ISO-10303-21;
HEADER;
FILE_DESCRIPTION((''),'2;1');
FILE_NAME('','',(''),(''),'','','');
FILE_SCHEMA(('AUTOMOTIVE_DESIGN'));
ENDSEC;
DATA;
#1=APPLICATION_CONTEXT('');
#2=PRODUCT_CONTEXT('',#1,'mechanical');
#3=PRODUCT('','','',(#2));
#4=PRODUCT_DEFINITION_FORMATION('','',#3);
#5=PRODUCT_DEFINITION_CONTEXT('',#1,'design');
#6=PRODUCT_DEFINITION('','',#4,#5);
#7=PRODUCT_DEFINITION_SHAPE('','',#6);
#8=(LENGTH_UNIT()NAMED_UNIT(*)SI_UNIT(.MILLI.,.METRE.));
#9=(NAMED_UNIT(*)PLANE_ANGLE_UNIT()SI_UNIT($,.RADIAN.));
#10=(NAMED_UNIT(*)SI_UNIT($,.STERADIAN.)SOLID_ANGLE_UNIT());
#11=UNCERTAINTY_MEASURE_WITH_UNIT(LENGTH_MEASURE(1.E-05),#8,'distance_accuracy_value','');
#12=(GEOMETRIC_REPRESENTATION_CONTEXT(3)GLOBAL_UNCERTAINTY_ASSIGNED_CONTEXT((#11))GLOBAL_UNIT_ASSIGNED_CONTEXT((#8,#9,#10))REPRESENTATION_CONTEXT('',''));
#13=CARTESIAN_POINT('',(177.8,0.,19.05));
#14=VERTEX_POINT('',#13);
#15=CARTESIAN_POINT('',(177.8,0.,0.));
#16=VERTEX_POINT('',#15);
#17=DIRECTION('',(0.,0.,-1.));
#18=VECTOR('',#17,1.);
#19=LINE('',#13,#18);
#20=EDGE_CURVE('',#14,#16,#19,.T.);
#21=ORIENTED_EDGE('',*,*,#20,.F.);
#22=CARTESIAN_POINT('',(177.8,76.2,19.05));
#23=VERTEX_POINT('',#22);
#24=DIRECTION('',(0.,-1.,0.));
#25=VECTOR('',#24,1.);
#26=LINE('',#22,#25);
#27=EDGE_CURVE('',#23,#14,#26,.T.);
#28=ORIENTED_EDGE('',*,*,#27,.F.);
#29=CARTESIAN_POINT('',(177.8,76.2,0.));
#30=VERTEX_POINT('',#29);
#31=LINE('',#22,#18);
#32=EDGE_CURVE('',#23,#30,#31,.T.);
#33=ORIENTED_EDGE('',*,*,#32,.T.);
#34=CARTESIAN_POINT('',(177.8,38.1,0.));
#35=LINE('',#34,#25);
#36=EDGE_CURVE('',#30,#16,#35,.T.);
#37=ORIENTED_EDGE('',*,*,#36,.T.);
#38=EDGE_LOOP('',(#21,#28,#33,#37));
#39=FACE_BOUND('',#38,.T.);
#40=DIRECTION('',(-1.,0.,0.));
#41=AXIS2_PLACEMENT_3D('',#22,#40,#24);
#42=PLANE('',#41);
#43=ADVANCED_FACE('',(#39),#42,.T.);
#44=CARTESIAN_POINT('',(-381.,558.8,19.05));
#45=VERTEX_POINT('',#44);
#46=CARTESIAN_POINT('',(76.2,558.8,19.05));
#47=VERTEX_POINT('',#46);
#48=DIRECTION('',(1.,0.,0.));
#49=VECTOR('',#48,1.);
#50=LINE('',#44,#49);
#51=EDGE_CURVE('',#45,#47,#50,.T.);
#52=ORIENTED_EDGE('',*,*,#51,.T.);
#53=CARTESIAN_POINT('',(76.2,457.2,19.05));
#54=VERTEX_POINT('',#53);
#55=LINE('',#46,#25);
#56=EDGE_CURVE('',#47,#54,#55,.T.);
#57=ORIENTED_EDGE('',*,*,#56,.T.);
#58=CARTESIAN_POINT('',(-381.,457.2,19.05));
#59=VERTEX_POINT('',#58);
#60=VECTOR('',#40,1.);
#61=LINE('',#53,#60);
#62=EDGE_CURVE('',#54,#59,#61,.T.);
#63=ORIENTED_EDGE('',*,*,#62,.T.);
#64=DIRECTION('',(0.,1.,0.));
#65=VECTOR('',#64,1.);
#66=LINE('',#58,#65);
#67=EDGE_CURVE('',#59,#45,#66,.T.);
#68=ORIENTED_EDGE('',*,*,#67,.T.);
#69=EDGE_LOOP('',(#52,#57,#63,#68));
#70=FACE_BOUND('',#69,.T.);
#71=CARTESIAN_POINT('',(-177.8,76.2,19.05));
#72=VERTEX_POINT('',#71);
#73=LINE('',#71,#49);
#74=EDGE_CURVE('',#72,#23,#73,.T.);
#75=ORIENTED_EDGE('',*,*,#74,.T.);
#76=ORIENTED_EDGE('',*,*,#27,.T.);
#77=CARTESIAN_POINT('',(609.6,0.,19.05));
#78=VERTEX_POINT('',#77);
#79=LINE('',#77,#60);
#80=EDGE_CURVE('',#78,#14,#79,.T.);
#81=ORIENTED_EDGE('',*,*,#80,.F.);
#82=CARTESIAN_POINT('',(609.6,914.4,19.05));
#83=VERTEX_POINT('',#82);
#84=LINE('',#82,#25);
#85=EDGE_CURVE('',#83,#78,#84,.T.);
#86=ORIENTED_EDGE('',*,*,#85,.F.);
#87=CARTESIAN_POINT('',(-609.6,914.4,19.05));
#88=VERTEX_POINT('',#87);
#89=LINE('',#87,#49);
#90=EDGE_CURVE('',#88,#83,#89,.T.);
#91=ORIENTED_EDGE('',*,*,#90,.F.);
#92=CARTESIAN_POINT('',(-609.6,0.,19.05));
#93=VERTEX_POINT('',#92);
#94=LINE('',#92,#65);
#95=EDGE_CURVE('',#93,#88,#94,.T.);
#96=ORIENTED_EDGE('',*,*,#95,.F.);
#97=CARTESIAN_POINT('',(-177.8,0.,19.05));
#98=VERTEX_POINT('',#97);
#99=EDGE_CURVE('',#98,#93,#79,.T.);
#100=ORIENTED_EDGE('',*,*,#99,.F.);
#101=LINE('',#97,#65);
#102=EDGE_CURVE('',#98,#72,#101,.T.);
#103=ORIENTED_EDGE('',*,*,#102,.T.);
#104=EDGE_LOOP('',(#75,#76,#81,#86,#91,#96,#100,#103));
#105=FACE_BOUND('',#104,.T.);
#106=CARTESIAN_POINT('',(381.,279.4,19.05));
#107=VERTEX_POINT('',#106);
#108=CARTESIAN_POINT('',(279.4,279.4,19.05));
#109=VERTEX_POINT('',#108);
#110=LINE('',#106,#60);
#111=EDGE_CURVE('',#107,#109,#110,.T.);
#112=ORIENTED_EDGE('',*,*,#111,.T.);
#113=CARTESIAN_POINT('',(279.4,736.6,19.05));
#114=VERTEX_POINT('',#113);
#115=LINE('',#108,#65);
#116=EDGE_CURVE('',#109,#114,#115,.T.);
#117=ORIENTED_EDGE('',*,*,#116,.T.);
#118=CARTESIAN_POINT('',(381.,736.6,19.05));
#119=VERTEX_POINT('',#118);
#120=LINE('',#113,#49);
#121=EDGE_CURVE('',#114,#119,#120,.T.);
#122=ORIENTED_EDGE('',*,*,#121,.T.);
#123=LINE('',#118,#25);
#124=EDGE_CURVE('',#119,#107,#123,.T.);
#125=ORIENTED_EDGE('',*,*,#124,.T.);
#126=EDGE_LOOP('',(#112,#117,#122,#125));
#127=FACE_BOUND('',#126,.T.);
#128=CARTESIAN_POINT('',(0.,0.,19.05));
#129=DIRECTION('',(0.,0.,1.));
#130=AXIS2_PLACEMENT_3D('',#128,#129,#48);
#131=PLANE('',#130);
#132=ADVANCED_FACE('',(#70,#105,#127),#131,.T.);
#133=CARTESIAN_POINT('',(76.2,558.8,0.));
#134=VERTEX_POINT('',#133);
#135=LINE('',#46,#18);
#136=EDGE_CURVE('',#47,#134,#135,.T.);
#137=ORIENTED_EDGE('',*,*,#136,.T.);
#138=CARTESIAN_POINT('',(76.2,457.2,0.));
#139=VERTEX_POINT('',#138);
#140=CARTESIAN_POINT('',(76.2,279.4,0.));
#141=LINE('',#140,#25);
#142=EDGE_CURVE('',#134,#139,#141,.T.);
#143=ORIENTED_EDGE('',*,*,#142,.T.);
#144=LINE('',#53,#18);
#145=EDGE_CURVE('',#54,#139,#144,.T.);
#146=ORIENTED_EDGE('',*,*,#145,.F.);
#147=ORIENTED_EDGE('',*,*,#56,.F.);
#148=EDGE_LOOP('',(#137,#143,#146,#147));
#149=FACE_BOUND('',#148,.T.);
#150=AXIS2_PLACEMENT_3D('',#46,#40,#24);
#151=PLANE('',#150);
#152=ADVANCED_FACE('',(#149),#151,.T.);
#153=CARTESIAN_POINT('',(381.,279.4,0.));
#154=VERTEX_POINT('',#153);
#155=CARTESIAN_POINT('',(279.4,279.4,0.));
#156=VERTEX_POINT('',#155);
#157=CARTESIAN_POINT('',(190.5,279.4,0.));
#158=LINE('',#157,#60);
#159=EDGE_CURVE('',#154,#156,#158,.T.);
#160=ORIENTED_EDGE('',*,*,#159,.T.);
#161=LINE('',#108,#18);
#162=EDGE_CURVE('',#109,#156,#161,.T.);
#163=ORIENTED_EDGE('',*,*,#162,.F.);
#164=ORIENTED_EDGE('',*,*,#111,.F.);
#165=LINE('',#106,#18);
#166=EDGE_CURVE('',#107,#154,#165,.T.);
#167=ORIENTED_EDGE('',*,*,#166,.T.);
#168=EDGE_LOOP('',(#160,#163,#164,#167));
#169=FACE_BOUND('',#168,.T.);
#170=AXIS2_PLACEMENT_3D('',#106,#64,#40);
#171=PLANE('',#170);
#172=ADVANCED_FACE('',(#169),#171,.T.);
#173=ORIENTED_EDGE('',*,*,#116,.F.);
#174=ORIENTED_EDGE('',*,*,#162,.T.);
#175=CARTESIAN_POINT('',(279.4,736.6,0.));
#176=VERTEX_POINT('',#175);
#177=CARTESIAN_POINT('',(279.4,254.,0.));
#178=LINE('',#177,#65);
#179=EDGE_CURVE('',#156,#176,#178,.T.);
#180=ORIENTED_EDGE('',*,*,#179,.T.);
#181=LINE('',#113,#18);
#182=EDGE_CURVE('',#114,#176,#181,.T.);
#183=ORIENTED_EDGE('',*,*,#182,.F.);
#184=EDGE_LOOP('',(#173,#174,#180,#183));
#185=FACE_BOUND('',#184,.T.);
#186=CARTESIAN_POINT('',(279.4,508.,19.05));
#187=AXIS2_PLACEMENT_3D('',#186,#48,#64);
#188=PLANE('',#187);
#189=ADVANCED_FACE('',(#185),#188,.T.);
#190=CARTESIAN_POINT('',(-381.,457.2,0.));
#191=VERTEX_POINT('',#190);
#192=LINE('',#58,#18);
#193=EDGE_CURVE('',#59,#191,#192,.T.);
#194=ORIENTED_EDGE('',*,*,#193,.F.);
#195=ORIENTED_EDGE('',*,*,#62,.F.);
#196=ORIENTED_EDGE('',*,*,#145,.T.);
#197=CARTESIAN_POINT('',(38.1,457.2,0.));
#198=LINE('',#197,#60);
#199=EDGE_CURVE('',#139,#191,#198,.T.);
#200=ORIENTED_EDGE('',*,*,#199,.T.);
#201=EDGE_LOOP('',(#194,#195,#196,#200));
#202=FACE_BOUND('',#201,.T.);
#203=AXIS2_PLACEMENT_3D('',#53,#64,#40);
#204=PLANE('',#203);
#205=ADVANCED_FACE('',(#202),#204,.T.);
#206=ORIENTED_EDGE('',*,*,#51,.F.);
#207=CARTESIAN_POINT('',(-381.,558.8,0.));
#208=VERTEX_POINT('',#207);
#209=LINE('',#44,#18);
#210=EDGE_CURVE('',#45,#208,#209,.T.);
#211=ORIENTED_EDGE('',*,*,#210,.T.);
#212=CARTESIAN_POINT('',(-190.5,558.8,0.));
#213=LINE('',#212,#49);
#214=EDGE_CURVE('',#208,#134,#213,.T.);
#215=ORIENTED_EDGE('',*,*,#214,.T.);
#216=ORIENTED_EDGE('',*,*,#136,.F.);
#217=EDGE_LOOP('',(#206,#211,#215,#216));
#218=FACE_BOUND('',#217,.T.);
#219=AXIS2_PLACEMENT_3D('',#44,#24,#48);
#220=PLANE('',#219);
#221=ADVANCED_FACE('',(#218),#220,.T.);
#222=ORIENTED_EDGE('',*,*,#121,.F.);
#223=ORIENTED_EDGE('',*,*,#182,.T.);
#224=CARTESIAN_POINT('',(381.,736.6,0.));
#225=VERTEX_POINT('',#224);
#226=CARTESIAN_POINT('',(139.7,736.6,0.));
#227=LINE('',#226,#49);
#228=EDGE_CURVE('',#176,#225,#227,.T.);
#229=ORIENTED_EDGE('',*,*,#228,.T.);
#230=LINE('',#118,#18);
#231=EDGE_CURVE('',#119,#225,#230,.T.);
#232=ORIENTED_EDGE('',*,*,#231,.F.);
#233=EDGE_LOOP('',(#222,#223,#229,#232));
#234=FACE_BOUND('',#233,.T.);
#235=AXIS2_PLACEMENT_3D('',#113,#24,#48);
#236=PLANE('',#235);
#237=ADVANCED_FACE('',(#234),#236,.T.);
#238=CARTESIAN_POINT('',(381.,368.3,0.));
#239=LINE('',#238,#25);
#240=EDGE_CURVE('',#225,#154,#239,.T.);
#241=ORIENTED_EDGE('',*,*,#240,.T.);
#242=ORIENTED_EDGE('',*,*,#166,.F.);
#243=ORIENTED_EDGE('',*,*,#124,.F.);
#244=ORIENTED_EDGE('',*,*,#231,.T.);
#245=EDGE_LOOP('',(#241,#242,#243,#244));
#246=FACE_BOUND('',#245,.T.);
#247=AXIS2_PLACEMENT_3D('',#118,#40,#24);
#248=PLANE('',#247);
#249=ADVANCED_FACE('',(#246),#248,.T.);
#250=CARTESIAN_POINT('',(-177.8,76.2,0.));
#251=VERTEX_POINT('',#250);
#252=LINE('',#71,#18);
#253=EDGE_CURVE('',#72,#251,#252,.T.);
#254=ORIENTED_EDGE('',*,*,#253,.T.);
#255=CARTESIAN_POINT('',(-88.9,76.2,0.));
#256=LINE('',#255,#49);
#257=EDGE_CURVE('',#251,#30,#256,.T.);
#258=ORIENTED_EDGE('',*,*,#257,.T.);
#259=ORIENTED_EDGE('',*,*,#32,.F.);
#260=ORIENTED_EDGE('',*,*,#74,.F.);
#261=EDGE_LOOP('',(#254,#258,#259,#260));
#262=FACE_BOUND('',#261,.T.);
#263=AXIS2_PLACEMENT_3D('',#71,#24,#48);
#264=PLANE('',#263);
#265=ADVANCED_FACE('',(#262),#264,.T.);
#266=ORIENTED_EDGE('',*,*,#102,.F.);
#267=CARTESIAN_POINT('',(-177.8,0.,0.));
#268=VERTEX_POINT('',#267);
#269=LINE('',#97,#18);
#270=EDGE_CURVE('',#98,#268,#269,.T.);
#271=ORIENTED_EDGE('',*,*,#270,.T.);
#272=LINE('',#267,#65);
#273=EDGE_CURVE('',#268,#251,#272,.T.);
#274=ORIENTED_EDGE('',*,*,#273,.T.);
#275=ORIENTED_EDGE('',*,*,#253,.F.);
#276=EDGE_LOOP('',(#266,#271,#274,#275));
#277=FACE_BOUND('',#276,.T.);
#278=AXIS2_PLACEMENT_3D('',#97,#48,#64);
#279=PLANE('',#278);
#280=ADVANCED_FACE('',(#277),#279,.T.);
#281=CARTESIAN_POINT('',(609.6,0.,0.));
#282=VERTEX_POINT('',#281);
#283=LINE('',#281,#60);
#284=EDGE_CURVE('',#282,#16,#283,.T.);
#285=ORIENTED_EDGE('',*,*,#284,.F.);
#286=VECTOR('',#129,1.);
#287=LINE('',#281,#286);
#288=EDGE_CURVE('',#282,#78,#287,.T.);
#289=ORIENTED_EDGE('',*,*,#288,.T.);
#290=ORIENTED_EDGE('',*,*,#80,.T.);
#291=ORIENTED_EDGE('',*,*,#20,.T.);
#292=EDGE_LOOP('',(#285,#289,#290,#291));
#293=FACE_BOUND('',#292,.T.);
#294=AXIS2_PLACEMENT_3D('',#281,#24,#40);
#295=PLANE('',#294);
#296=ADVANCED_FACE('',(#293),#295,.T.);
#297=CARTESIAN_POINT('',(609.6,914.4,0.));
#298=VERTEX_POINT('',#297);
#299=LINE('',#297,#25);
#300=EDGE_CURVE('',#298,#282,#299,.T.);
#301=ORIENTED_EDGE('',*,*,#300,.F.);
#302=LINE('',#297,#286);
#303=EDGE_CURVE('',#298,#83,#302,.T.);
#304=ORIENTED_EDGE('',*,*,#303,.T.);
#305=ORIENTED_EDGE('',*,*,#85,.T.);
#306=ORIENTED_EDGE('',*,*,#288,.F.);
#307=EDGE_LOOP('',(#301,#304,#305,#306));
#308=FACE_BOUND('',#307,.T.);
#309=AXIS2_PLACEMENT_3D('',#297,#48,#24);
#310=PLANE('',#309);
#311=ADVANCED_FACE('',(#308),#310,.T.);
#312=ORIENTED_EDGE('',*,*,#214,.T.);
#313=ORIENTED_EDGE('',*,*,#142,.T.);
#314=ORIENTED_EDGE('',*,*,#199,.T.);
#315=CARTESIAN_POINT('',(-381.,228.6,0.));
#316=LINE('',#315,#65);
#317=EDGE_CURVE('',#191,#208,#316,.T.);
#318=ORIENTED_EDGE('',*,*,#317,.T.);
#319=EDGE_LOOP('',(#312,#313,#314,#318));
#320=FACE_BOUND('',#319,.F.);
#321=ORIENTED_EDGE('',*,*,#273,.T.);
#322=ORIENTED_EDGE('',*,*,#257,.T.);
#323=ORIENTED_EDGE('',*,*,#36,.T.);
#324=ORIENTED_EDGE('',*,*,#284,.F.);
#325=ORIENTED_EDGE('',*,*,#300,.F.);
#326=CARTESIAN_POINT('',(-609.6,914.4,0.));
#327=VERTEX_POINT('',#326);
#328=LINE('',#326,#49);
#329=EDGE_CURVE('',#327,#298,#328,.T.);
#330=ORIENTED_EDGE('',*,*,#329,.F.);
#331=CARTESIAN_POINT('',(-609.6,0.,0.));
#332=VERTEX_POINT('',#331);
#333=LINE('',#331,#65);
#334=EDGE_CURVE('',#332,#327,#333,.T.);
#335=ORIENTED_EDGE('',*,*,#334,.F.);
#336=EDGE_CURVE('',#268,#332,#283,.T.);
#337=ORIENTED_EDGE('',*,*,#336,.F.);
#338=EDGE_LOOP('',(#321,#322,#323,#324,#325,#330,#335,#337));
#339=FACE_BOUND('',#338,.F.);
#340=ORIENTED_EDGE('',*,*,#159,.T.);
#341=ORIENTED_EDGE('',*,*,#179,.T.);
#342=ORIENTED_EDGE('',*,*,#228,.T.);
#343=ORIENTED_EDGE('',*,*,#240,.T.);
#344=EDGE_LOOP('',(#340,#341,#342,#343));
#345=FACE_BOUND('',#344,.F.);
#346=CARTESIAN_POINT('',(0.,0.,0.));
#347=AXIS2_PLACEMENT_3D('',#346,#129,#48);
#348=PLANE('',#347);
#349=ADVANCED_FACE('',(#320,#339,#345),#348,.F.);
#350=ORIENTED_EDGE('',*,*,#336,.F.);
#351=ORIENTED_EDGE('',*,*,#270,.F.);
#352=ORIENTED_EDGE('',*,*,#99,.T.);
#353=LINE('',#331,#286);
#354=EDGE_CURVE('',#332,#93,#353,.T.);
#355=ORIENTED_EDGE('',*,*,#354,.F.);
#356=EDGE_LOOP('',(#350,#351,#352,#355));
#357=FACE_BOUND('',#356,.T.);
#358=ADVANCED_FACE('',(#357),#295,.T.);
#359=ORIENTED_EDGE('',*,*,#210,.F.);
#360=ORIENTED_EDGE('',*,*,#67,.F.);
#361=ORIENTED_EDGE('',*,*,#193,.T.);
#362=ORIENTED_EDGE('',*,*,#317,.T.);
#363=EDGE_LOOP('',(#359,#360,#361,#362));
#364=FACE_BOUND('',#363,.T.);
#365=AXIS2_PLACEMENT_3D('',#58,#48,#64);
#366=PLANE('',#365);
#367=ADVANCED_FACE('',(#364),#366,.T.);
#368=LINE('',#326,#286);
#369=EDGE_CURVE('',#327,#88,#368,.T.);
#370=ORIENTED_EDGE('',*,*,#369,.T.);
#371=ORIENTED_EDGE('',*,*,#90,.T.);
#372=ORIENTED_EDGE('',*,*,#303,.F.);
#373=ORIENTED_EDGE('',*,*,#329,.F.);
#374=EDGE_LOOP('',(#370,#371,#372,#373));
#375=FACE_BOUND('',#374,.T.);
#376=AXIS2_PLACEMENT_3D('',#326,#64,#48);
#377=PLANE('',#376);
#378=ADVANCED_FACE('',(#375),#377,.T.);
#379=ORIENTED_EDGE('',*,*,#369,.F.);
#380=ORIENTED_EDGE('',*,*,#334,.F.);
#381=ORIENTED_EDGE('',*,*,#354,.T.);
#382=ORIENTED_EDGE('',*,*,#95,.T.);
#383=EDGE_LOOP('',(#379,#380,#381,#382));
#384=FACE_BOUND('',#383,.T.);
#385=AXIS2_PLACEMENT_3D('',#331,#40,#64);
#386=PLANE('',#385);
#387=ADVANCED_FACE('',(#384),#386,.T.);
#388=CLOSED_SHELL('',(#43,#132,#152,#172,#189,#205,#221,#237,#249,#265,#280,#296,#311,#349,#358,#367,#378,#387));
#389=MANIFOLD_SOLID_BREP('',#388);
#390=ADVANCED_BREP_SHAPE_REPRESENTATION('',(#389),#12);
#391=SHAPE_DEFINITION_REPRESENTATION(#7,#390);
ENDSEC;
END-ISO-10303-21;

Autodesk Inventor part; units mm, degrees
ref_plane "YZ Plane" through (0, 0, 0) normal (1, 0, 0) x (0, 1, 0)
ref_plane "XZ Plane" through (0, 0, 0) normal (0, 1, 0) x (-1, 0, 0)
ref_plane "XY Plane" through (0, 0, 0) normal (0, 0, 1) x (1, 0, 0)
sketch "Sketch1" plane through (0, 0, 0) normal (0, 0, 1) x (1, 0, 0)
  line L0 (-609.6, 914.4) -> (609.6, 914.4)
  line L1 (609.6, 914.4) -> (609.6, 0)
  line L2 (609.6, 0) -> (-609.6, 0)
  line L3 (-609.6, 0) -> (-609.6, 914.4)
  point P0 (0, 0)
  dimension "d0" = 1219.2
  dimension "d1" = 914.4
  dimension "d2" = 914.4
  dimension "d3" = 609.6
extrude "Plywood" add sketch "Sketch1" along normal blind 19.05
sketch "Sketch2" plane through (0, 0, 19.05) normal (0, 0, 1) x (1, 0, 0)
  line L0 (-177.8, 76.2) -> (177.8, 76.2)
  line L1 (177.8, 76.2) -> (177.8, 0)
  line L2 (177.8, 0) -> (-177.8, 0)
  line L3 (-177.8, 0) -> (-177.8, 76.2)
  line L4 (-609.6, 0) -> (609.6, 0) projected
  line L5 (-381, 558.8) -> (76.2, 558.8)
  line L6 (76.2, 558.8) -> (76.2, 457.2)
  line L7 (76.2, 457.2) -> (-381, 457.2)
  line L8 (-381, 457.2) -> (-381, 558.8)
  line L9 (-381, 508) -> (76.2, 508) construction
  line L10 (279.4, 736.6) -> (381, 736.6)
  line L11 (381, 736.6) -> (381, 279.4)
  line L12 (381, 279.4) -> (279.4, 279.4)
  line L13 (279.4, 279.4) -> (279.4, 736.6)
  line L14 (76.2, 508) -> (279.4, 508)
  point P0 (0, 0)
  dimension "d6" = 355.6
  dimension "d7" = 76.2
  dimension "d8" = 177.8
  dimension "d9" = 457.2
  dimension "d10" = 381
  dimension "d11" = 101.6
  dimension "d12" = 508
  dimension "d15" = 101.6
  dimension "d16" = 457.2
  dimension "d17" = 203.2
  dimension "d18" = 762
extrude "SLOTS" cut sketch "Sketch2" against normal through all
equation "\"d2\" = d1"
equation "\"d3\" = 0.5 * d0"
equation "\"d8\" = 0.5 * d6"
equation "\"d10\" = 0.5 * d18"
equation "\"d15\" = d11"
equation "\"d16\" = d9"
properties part number "Plywood"
